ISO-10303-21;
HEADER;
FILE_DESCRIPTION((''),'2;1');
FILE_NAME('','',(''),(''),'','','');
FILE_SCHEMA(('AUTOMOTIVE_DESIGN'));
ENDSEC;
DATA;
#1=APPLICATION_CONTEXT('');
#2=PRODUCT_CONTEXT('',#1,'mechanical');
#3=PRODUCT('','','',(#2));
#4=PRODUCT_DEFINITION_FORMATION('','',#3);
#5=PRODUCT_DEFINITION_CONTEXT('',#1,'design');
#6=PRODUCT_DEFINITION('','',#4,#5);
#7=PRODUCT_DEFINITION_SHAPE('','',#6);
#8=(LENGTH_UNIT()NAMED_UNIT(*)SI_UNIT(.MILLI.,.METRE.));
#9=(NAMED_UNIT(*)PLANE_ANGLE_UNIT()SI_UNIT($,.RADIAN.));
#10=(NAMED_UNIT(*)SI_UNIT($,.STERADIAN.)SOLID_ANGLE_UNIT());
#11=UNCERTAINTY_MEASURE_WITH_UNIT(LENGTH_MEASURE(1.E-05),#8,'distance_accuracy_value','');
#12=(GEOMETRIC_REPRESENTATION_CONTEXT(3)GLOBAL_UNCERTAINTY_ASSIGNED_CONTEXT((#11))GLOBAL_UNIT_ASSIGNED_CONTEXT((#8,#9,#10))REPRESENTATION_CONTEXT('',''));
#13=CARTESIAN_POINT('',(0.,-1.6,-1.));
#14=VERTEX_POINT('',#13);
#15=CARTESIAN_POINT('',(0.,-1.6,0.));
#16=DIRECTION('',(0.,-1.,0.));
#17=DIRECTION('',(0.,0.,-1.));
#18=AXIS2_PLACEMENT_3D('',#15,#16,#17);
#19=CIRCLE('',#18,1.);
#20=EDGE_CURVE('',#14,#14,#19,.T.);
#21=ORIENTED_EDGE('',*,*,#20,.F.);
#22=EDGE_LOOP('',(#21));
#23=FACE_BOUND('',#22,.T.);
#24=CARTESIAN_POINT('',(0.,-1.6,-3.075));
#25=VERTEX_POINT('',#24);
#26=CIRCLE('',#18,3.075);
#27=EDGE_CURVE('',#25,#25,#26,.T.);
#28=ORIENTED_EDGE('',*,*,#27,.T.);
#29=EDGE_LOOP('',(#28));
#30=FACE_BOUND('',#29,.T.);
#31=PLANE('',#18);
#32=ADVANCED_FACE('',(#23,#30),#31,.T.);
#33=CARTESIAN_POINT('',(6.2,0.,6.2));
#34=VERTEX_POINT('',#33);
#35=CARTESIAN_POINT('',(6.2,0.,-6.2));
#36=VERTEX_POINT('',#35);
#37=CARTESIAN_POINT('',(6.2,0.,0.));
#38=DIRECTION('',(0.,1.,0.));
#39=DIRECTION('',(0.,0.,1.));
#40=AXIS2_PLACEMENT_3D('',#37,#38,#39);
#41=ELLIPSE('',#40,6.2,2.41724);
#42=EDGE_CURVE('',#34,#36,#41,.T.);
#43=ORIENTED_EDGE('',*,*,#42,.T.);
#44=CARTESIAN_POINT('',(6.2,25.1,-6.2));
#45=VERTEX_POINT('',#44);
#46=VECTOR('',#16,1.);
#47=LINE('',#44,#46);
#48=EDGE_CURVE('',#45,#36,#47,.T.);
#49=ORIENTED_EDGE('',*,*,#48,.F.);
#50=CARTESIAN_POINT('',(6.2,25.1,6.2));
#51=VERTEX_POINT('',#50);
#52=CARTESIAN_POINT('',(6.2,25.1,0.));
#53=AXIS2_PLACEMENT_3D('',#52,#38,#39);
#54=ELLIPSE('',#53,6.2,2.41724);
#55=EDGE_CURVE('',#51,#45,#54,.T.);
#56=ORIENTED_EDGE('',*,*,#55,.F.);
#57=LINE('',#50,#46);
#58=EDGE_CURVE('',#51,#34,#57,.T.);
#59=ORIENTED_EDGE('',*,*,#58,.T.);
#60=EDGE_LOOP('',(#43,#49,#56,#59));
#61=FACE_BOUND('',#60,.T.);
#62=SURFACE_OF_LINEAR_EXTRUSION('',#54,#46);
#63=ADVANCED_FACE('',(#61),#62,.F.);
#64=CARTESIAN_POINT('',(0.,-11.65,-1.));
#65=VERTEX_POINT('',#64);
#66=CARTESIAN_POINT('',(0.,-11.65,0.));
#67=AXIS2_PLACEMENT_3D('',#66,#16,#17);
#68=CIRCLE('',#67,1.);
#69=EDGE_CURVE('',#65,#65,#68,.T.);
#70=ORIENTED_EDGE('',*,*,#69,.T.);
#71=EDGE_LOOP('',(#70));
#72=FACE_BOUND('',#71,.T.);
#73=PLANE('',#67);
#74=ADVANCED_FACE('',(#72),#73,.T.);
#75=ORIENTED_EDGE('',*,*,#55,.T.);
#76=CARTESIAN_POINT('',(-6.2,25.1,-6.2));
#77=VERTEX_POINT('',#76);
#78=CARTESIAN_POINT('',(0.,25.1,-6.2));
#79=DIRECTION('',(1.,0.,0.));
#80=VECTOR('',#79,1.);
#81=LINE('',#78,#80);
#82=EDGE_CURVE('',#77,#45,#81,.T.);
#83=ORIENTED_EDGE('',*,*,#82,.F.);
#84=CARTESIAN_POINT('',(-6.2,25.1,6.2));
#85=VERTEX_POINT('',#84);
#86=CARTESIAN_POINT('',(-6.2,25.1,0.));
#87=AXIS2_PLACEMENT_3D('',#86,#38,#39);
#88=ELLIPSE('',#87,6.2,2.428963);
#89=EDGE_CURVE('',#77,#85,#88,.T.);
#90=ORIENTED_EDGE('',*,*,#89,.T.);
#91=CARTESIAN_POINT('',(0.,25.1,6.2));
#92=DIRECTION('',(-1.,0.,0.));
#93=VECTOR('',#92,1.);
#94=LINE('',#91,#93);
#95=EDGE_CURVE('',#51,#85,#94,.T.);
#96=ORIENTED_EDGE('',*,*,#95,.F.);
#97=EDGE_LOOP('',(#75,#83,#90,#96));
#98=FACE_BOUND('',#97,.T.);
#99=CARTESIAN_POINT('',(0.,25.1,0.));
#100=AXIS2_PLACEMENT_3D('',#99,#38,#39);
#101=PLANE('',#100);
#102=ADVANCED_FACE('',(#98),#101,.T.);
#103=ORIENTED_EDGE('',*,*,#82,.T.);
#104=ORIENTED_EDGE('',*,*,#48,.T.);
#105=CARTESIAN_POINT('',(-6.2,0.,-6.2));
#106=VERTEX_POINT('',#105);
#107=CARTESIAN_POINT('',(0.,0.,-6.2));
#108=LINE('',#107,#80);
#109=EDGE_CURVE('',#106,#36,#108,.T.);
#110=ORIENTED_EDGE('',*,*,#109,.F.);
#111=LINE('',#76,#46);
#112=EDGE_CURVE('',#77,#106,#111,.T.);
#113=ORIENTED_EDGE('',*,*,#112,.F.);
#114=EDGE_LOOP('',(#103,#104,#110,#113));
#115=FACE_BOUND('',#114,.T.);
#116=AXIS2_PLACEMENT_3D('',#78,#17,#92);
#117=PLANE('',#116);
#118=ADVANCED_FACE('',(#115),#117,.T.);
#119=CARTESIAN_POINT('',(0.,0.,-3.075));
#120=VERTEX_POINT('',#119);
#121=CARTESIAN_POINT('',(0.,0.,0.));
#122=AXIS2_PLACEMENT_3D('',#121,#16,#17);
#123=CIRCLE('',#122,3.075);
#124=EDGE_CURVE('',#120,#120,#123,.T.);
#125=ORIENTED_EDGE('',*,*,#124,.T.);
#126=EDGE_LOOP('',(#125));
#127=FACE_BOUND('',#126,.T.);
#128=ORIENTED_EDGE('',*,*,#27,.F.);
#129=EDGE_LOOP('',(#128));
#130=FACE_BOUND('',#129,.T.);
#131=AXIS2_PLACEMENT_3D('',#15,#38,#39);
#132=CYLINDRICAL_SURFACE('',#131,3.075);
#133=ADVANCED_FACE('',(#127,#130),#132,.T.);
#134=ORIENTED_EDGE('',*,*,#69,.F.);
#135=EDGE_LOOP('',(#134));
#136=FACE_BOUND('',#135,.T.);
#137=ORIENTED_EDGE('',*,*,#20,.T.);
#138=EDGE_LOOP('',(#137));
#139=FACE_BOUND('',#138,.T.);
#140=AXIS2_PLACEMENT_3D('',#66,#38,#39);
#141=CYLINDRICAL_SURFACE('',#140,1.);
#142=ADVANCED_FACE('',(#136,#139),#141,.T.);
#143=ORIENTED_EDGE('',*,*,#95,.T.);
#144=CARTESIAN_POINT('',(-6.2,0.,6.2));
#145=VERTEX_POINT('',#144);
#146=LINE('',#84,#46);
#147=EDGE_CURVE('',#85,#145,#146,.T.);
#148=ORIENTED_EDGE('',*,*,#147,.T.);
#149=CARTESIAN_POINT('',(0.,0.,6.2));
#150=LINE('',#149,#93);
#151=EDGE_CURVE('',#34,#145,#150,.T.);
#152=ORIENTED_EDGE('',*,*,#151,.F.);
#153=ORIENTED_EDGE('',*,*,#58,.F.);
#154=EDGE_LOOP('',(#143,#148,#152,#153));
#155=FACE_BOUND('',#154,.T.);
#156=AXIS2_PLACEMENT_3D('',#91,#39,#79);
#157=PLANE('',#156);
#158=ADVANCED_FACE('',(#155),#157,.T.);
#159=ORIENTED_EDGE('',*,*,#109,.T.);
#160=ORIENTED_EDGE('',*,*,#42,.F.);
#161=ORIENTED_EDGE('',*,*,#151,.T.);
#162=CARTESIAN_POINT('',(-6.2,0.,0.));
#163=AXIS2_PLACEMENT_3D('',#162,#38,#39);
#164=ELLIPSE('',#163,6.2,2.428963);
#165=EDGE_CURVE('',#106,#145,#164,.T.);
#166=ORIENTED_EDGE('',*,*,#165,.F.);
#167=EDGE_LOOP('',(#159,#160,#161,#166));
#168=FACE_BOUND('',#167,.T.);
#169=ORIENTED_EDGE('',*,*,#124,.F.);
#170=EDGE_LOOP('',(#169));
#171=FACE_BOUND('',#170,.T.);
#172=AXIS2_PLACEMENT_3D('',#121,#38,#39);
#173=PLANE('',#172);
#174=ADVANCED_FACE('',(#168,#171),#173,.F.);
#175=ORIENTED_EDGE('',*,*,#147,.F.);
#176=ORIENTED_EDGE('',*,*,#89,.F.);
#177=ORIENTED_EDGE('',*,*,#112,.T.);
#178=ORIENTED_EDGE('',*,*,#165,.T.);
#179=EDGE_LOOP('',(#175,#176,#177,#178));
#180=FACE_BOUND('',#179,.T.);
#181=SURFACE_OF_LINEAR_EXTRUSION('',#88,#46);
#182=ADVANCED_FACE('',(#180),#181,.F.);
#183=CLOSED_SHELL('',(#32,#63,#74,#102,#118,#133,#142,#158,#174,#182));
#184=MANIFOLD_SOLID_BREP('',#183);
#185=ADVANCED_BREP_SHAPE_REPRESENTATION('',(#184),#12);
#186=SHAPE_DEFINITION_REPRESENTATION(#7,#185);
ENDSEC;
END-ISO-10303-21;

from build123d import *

# Parameters (mm, degrees)
SKETCH2_RX          = 6.2
SKETCH2_RY          = 2.428962841
SKETCH2_RY_2        = 2.417240448
SKETCH2_W           = 12.4
SKETCH2_H           = 12.4
BOSS_EXTRUDE1_DEPTH = 25.1
SKETCH3_R           = 3.075
BOSS_EXTRUDE2_DEPTH = 1.6
SKETCH4_R           = 1
BOSS_EXTRUDE3_DEPTH = 10.05


with BuildPart() as part:
    # Sketch2 → Boss-Extrude1 (new body)
    with BuildSketch(Plane(origin=(0, 0, 0), x_dir=(1, 0, 0), z_dir=(0, 1, 0))):
        with Locations(Location((-6.2, 0), (0, 0, -90))):
            Ellipse(SKETCH2_RX, SKETCH2_RY)
        with Locations(Location((6.2, 0), (0, 0, -90))):
            Ellipse(SKETCH2_RX, SKETCH2_RY_2)
        Rectangle(SKETCH2_W, SKETCH2_H)
    extrude(amount=BOSS_EXTRUDE1_DEPTH)

    # Sketch3 → Boss-Extrude2 (add)
    with BuildSketch(Plane.XZ):
        with Locations(Location((0, 0, 0), (0, 0, 270))):
            Circle(SKETCH3_R)
    extrude(amount=BOSS_EXTRUDE2_DEPTH)

    # Sketch4 → Boss-Extrude3 (add)
    with BuildSketch(Plane.XZ.offset(1.6)):
        with Locations(Location((0, 0, 0), (0, 0, 270))):
            Circle(SKETCH4_R)
    extrude(amount=BOSS_EXTRUDE3_DEPTH)


solid = part.part
